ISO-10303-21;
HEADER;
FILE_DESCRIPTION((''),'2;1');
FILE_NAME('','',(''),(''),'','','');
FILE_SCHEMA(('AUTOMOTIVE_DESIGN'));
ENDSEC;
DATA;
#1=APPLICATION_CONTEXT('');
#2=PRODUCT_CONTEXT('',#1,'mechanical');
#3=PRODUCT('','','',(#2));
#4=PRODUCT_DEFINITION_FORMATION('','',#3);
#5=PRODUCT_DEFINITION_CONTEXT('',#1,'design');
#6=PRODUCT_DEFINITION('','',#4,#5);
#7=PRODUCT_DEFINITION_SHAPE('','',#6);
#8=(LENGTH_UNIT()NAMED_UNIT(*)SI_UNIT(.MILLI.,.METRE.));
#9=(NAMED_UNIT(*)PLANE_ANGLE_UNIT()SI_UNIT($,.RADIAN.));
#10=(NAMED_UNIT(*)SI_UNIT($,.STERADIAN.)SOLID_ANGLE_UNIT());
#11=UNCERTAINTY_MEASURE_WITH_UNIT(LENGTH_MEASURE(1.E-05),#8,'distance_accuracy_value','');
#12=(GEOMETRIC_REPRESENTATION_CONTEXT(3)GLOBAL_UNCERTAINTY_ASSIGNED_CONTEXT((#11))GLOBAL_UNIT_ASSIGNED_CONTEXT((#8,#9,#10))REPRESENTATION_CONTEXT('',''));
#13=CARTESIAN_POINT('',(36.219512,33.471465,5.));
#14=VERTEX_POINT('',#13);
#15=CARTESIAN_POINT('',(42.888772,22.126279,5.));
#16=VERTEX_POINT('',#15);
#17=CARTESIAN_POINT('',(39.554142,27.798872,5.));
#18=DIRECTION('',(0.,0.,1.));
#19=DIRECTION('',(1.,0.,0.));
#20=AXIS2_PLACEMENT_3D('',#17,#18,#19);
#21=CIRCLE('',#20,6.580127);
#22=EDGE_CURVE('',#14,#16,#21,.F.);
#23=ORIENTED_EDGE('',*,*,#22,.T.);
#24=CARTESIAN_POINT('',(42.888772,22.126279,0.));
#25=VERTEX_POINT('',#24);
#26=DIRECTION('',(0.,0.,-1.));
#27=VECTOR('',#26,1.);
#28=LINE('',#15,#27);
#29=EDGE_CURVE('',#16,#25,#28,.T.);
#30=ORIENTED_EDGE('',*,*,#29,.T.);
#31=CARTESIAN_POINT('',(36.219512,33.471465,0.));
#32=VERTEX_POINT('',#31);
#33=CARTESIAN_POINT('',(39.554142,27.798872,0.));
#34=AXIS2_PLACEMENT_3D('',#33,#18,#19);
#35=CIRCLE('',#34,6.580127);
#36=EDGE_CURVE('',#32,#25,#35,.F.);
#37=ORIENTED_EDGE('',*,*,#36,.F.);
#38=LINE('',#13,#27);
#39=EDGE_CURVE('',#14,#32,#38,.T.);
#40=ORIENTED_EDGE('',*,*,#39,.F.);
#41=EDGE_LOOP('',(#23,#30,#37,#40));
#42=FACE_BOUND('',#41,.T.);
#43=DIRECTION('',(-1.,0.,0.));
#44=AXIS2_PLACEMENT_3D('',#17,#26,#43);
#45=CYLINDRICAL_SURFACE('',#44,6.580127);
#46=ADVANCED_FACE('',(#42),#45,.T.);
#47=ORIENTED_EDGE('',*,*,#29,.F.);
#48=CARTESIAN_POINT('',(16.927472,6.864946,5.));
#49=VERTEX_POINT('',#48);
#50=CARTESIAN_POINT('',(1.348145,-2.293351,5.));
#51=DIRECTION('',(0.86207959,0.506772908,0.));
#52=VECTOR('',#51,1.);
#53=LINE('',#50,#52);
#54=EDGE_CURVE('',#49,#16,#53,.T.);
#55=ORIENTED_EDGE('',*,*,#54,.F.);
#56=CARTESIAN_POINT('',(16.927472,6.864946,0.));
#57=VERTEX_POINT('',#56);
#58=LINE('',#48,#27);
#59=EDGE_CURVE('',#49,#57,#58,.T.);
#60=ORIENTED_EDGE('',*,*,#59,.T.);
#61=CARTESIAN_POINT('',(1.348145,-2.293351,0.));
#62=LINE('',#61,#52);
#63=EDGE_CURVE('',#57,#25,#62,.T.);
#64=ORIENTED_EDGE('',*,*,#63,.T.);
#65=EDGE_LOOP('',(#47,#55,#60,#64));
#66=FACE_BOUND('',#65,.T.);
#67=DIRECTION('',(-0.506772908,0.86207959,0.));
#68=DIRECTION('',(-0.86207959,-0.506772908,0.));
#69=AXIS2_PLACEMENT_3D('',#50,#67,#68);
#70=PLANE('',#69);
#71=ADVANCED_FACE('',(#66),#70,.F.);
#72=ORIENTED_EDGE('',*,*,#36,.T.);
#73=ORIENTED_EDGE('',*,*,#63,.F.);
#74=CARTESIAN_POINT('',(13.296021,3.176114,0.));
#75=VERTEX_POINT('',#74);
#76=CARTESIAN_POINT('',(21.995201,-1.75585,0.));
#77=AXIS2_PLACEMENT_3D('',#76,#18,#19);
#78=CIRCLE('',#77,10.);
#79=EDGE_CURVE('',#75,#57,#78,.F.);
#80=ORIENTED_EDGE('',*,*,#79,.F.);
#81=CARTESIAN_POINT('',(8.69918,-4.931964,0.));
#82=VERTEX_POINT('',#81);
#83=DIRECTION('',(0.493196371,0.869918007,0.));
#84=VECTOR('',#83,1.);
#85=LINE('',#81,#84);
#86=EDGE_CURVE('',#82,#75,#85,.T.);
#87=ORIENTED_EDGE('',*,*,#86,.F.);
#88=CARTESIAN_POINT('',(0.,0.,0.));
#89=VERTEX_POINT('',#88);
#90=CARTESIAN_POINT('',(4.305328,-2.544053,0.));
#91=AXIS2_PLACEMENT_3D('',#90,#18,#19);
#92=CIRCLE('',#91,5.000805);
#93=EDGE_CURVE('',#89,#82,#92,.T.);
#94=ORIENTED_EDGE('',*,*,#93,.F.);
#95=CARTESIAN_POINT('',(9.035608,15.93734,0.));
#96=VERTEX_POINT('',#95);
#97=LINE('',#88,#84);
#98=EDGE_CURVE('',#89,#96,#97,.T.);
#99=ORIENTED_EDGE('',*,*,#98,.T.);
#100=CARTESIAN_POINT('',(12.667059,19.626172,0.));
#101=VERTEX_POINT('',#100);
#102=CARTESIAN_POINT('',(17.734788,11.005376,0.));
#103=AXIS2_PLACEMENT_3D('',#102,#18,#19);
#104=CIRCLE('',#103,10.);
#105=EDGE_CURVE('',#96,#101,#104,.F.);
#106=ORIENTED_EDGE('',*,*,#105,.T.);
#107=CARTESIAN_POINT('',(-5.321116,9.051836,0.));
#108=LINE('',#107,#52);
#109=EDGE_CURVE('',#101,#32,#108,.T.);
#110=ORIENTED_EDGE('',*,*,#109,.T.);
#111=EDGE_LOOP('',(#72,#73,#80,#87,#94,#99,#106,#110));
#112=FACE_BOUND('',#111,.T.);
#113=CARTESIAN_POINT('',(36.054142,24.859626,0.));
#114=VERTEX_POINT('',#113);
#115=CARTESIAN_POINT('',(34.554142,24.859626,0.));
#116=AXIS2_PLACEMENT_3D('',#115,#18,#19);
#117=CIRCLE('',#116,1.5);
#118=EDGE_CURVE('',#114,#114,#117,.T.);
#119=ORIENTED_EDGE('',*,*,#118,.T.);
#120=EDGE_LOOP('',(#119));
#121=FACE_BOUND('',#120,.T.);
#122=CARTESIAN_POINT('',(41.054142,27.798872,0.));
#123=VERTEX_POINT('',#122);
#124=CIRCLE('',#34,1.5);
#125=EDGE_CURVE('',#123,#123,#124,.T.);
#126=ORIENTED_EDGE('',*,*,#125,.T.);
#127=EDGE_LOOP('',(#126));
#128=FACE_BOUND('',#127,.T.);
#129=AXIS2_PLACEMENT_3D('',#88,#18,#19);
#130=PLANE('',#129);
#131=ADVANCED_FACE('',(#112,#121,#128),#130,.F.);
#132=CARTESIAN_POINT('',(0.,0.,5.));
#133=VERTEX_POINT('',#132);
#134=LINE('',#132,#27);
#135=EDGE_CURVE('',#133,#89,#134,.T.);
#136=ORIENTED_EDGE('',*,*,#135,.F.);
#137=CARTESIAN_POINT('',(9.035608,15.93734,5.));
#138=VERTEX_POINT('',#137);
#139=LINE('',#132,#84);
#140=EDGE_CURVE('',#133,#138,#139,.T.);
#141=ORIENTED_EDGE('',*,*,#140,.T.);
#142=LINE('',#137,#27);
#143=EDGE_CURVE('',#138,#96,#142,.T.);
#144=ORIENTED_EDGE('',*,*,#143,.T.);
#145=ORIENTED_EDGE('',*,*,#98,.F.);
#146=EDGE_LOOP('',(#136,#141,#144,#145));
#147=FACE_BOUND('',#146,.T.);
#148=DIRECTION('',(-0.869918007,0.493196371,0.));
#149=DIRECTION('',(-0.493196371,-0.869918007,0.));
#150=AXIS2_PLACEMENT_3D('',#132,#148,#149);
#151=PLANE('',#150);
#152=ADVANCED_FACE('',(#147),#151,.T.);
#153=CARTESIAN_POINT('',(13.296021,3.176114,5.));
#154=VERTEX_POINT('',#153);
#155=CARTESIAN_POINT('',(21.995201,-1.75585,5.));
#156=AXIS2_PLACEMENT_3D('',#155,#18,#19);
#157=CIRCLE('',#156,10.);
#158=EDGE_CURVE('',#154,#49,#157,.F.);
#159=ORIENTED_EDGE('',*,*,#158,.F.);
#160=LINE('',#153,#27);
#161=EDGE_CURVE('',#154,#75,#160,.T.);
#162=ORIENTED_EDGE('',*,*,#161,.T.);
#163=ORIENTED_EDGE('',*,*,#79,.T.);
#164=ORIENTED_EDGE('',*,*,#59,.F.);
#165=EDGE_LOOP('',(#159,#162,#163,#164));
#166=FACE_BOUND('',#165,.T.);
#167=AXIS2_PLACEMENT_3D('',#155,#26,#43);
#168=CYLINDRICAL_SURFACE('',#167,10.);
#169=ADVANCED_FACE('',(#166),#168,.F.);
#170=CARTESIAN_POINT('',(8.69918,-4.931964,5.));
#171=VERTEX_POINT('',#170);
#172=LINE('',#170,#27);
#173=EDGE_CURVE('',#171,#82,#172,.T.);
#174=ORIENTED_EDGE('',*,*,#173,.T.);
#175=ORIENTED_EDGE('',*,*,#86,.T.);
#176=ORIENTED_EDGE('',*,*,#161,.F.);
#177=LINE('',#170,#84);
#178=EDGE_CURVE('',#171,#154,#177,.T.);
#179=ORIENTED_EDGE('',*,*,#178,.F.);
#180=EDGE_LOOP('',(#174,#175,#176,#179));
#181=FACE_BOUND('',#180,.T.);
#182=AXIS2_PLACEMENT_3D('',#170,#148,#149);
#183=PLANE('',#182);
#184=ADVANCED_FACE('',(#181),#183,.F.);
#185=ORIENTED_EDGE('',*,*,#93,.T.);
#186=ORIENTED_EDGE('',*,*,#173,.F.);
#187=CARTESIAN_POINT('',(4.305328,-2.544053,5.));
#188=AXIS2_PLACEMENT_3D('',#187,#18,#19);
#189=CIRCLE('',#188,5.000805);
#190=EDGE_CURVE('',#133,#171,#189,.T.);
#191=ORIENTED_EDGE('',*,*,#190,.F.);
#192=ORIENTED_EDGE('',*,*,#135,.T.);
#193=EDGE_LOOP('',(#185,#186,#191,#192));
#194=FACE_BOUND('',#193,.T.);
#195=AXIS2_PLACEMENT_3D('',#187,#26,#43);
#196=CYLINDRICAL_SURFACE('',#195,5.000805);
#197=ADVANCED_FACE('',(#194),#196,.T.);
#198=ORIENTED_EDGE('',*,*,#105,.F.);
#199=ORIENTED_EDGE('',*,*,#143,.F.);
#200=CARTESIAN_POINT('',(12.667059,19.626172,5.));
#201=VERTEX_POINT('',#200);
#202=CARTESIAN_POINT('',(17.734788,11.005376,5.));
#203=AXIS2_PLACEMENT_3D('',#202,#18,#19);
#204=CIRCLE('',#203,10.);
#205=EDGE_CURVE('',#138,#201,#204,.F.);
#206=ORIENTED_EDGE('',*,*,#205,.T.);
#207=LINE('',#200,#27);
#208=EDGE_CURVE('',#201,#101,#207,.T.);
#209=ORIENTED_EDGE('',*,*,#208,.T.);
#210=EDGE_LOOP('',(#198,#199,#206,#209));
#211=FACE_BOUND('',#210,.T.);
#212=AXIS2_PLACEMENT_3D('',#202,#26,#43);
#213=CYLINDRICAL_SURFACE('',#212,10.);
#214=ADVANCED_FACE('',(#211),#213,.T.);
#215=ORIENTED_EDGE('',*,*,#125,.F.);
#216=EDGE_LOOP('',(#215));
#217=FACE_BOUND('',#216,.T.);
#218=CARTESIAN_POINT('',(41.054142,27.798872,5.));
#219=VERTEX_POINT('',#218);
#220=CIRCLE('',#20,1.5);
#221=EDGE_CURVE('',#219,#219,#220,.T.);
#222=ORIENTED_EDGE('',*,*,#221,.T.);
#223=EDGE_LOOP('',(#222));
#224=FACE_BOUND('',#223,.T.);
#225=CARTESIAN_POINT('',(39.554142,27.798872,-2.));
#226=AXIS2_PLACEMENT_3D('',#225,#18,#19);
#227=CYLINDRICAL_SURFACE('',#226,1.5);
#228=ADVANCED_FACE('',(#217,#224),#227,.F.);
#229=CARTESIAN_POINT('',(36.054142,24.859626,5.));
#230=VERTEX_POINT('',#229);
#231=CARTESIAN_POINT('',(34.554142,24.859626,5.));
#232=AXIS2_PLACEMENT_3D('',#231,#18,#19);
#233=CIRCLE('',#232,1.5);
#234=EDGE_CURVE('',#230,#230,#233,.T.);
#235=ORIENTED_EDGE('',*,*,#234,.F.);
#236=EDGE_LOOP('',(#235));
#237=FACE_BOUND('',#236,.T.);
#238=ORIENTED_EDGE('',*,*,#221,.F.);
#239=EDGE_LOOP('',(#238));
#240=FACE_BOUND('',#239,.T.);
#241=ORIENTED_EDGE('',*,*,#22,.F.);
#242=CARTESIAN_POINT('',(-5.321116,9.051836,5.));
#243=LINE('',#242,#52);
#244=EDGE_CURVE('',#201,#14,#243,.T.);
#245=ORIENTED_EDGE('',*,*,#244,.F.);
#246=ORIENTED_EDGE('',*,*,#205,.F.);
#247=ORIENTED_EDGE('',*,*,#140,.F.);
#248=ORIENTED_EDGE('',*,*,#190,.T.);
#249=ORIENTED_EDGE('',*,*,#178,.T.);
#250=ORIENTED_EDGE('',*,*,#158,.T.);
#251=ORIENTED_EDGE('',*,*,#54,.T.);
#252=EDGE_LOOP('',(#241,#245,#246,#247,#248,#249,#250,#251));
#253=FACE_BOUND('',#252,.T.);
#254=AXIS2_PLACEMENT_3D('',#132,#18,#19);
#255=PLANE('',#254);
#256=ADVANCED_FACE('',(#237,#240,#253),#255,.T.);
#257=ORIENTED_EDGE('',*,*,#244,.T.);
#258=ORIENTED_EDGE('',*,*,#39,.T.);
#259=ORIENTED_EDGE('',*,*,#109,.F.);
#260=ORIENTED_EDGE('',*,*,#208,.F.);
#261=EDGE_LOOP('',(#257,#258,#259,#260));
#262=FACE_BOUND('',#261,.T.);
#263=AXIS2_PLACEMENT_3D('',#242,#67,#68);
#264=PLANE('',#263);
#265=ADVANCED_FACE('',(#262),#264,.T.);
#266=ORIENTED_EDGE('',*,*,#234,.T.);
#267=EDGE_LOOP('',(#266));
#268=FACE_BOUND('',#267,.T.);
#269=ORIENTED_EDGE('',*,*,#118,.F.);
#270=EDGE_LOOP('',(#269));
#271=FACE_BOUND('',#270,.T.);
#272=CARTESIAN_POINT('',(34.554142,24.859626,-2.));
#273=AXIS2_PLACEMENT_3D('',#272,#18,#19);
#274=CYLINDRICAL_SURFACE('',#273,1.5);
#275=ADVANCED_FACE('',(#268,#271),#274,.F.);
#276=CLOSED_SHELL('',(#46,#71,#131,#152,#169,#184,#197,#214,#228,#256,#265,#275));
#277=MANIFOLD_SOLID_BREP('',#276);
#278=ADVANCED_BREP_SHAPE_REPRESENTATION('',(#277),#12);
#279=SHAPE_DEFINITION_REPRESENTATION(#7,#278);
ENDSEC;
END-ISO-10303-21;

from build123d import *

# Parameters (mm, degrees)
BOSS_EXTRUDE1_DEPTH = 5
SKETCH4_R           = 1.5
CUT_EXTRUDE1_DEPTH  = 7


with BuildPart() as part:
    # Sketch3 → Boss-Extrude1 (new body)
    with BuildSketch(Plane.XY):
        with BuildLine():
            Line((0, 0), (9.035608105, 15.937339876))
            ThreePointArc((9.035608105, 15.937339876), (10.608511617, 18.020800767), (12.667059099, 19.626172065))
            Line((12.667059099, 19.626172065), (36.219511507, 33.471465384))
            ThreePointArc((36.219511507, 33.471465384), (45.226734814, 31.133502282), (42.888771713, 22.126278975))
            Line((42.888771713, 22.126278975), (16.927471829, 6.864946286))
            ThreePointArc((16.927471829, 6.864946286), (14.868924346, 5.259574989), (13.296020834, 3.176114098))
            Line((13.296020834, 3.176114098), (8.699180072, -4.931963714))
            ThreePointArc((8.699180072, -4.931963714), (1.838948591, -6.894344126), (0, 0))
        make_face()
    extrude(amount=BOSS_EXTRUDE1_DEPTH)

    # Sketch4 → Cut-Extrude1 (cut)
    with BuildSketch(Plane.XY.offset(5)):
        with Locations((39.55414161, 27.79887218)):
            Circle(SKETCH4_R)
        with Locations((34.55414161, 24.85962554)):
            Circle(SKETCH4_R)
    extrude(amount=-CUT_EXTRUDE1_DEPTH, mode=Mode.SUBTRACT)


solid = part.part
